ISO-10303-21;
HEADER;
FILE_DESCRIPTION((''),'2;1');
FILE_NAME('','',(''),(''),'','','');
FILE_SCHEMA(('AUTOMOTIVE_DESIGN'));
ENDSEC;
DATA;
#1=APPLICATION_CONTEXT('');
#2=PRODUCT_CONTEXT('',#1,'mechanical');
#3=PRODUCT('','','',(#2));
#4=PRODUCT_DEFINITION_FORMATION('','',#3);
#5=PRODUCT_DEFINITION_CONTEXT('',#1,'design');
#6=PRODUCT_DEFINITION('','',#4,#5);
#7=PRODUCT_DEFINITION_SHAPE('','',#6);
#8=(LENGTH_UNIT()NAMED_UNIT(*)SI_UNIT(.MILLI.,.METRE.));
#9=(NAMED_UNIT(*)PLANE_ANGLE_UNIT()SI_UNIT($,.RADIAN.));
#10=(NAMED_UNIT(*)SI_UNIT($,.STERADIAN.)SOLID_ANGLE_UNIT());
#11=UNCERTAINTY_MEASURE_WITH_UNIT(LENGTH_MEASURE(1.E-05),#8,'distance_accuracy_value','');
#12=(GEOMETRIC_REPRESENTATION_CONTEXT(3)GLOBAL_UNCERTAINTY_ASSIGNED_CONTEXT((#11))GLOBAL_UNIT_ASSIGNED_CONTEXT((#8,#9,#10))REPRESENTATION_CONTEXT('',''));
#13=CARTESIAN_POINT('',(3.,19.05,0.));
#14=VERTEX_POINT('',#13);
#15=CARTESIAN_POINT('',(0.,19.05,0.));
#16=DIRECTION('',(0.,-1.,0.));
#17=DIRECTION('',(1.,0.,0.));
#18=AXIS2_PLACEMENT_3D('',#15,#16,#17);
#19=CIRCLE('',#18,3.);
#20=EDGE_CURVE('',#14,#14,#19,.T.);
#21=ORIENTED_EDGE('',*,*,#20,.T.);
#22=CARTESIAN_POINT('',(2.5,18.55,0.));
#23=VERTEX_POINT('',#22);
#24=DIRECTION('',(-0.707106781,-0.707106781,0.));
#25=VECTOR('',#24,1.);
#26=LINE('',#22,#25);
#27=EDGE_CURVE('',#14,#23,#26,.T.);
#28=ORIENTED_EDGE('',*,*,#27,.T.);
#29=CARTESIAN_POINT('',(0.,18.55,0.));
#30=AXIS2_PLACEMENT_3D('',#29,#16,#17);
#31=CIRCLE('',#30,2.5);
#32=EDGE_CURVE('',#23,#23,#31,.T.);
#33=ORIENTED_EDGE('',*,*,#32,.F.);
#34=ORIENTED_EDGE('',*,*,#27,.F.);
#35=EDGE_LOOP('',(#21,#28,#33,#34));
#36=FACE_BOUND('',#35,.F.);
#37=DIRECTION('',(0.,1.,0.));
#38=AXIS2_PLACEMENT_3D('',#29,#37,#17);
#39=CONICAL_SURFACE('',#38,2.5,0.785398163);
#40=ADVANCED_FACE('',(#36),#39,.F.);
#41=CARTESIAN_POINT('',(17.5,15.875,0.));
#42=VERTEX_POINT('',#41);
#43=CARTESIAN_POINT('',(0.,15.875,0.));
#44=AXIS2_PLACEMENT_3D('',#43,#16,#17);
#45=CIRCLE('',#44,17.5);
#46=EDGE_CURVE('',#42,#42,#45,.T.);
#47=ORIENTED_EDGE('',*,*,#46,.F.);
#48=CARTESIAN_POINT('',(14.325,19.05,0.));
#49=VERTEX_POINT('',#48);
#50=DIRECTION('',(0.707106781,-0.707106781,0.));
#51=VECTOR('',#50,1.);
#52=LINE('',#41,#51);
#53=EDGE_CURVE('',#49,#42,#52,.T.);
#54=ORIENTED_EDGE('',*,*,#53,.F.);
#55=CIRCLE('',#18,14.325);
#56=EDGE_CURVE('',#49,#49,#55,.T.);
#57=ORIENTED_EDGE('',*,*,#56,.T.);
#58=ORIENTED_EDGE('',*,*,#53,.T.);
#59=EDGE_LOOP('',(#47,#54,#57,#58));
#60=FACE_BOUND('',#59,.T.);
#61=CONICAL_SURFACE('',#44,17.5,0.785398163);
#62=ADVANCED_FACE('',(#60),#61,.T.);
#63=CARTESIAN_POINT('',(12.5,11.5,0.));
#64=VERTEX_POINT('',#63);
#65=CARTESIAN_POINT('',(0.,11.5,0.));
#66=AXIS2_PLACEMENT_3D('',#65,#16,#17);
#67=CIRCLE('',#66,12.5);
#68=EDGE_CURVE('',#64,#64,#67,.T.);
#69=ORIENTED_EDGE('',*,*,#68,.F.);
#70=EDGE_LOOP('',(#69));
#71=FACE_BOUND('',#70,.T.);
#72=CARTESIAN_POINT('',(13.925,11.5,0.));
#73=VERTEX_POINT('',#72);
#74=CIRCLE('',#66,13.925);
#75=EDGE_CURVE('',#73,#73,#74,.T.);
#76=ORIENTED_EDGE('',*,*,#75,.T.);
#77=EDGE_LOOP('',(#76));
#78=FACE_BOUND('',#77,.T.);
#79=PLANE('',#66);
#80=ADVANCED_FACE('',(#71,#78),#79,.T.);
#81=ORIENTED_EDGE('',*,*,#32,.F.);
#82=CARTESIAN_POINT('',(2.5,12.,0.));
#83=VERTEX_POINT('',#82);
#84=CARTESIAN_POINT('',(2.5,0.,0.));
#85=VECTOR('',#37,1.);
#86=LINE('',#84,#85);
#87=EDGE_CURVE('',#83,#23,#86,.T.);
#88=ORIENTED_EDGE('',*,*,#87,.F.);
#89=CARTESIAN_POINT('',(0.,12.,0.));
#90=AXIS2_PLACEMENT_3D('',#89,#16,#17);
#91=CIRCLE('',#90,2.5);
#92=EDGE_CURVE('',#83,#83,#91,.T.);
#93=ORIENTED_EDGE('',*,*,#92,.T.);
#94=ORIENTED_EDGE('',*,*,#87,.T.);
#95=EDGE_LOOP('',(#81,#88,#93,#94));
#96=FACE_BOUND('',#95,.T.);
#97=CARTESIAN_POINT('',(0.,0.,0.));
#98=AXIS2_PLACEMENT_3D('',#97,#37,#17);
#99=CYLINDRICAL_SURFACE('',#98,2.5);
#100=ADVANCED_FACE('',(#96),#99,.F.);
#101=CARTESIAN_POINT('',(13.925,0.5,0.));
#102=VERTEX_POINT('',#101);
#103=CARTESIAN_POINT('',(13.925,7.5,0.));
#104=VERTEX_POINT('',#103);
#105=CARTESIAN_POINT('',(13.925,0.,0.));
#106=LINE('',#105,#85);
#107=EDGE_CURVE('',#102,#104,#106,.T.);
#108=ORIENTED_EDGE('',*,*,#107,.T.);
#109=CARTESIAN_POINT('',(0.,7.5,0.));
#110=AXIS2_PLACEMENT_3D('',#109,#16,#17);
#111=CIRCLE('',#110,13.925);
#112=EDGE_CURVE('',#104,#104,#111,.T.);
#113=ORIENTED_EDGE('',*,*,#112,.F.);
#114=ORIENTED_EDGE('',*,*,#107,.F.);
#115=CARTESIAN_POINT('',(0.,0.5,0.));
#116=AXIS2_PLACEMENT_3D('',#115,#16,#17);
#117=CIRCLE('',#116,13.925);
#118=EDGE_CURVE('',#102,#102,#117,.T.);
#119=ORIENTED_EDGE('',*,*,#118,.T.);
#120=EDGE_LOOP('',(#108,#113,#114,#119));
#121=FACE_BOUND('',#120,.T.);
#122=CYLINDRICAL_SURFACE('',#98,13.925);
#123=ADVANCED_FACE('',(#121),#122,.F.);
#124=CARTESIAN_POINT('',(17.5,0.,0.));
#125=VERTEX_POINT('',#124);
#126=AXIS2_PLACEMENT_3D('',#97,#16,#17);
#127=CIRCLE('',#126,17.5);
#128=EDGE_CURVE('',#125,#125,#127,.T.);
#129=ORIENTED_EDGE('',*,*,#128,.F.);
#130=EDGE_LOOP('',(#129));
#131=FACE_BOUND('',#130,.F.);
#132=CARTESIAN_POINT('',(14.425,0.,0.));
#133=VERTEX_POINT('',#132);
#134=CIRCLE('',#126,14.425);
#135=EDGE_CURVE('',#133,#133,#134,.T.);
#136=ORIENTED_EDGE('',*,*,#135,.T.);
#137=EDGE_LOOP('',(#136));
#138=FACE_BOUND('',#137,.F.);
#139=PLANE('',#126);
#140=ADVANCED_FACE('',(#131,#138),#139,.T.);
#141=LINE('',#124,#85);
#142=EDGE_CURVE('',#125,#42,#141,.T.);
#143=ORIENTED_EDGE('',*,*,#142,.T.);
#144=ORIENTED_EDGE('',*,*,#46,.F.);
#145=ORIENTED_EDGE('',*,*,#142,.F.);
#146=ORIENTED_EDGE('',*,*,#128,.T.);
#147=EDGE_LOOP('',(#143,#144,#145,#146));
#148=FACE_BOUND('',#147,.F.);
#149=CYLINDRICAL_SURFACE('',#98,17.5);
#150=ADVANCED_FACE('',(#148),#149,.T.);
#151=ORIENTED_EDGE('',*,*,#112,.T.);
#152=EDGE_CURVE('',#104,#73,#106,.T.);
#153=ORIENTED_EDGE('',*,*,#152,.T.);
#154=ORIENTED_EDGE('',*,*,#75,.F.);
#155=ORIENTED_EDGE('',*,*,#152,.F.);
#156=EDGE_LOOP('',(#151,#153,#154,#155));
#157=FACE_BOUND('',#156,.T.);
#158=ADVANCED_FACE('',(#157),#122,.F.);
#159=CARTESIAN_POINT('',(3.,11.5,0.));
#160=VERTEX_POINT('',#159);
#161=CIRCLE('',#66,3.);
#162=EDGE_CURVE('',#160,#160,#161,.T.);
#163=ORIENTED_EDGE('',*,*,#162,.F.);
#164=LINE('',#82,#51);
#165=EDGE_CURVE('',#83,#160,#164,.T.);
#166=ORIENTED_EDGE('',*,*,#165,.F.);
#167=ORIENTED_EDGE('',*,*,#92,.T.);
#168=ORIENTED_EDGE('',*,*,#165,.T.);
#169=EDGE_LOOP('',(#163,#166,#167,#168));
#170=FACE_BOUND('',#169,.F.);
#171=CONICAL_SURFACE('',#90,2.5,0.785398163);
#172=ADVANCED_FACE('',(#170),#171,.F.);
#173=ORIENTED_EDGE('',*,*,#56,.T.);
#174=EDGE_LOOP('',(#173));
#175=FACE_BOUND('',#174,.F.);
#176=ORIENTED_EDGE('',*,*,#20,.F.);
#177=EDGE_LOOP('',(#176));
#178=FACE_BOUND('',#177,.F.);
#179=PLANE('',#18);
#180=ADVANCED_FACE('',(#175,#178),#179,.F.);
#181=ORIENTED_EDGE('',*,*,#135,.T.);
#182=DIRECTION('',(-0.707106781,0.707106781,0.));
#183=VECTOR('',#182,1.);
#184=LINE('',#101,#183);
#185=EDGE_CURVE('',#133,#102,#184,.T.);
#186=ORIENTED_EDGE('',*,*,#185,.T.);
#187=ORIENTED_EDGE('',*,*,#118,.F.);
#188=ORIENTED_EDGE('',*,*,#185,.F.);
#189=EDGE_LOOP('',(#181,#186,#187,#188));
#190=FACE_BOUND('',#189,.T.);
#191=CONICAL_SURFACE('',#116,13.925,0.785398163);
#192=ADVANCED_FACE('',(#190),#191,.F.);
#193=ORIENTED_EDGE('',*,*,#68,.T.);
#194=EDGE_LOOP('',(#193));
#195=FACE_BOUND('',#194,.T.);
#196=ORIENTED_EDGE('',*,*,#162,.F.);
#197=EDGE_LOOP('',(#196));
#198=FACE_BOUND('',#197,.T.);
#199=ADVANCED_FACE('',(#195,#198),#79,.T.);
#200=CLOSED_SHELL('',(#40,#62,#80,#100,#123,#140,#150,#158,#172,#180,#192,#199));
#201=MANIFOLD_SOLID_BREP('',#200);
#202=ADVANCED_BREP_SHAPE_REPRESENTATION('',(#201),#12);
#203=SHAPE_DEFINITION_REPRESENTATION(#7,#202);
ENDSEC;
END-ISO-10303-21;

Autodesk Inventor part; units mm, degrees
ref_plane "YZ Plane" through (0, 0, 0) normal (1, 0, 0) x (0, 1, 0)
ref_plane "XZ Plane" through (0, 0, 0) normal (0, 1, 0) x (-1, 0, 0)
ref_plane "XY Plane" through (0, 0, 0) normal (0, 0, 1) x (1, 0, 0)
sketch "Sketch1" plane through (0, 0, 0) normal (0, 0, 1) x (1, 0, 0)
  line L0 (0, 0) -> (13.925, 0)
  line L1 (13.925, 0) -> (13.925, 11.5)
  line L2 (13.925, 11.5) -> (0, 11.5)
  line L3 (0, 11.5) -> (0, 0)
  line L4 (0, 0) -> (2.5, 0)
  line L5 (2.5, 0) -> (2.5, 25.4)
  line L6 (2.5, 25.4) -> (0, 25.4)
  line L7 (0, 25.4) -> (0, 0)
  line L8 (0, 0) -> (17.5, 0)
  line L9 (17.5, 0) -> (17.5, 19.05)
  line L10 (17.5, 19.05) -> (0, 19.05)
  line L11 (0, 19.05) -> (0, 0)
  line L12 (13.925, 11.5) -> (12.5, 11.5)
  line L13 (12.5, 11.5) -> (12.5, 7.5)
  line L14 (12.5, 7.5) -> (13.925, 7.5)
  line L15 (13.925, 7.5) -> (13.925, 11.5)
  point P0 (2.5, 19.05)
  point P1 (2.5, 11.5)
  point P2 (13.925, 0)
  dimension "d0" = 13.925
  dimension "d1" = 11.5
  dimension "d2" = 2.5
  dimension "d3" = 25.4
  dimension "d4" = 17.5
  dimension "d5" = 19.05
  dimension "d6" = 4
  dimension "d7" = 12.5
revolve "Revolution1" add sketch "Sketch1" angle 360 about axis through (0, 19.05, 0) along (0, -1, 0) contours L1 L2 L5 L10 L9 L8
chamfer "Chamfer1" distance 3.175 angle 45 1 edges at (-17.5, 19.05, 0)
chamfer "Chamfer2" distance 0.5 angle 45 3 edges at (-13.925, 0, 0) (-2.5, 11.5, 0) (-2.5, 19.05, 0)
properties part number "Flywheel" material "Brass, Soft Yellow"
